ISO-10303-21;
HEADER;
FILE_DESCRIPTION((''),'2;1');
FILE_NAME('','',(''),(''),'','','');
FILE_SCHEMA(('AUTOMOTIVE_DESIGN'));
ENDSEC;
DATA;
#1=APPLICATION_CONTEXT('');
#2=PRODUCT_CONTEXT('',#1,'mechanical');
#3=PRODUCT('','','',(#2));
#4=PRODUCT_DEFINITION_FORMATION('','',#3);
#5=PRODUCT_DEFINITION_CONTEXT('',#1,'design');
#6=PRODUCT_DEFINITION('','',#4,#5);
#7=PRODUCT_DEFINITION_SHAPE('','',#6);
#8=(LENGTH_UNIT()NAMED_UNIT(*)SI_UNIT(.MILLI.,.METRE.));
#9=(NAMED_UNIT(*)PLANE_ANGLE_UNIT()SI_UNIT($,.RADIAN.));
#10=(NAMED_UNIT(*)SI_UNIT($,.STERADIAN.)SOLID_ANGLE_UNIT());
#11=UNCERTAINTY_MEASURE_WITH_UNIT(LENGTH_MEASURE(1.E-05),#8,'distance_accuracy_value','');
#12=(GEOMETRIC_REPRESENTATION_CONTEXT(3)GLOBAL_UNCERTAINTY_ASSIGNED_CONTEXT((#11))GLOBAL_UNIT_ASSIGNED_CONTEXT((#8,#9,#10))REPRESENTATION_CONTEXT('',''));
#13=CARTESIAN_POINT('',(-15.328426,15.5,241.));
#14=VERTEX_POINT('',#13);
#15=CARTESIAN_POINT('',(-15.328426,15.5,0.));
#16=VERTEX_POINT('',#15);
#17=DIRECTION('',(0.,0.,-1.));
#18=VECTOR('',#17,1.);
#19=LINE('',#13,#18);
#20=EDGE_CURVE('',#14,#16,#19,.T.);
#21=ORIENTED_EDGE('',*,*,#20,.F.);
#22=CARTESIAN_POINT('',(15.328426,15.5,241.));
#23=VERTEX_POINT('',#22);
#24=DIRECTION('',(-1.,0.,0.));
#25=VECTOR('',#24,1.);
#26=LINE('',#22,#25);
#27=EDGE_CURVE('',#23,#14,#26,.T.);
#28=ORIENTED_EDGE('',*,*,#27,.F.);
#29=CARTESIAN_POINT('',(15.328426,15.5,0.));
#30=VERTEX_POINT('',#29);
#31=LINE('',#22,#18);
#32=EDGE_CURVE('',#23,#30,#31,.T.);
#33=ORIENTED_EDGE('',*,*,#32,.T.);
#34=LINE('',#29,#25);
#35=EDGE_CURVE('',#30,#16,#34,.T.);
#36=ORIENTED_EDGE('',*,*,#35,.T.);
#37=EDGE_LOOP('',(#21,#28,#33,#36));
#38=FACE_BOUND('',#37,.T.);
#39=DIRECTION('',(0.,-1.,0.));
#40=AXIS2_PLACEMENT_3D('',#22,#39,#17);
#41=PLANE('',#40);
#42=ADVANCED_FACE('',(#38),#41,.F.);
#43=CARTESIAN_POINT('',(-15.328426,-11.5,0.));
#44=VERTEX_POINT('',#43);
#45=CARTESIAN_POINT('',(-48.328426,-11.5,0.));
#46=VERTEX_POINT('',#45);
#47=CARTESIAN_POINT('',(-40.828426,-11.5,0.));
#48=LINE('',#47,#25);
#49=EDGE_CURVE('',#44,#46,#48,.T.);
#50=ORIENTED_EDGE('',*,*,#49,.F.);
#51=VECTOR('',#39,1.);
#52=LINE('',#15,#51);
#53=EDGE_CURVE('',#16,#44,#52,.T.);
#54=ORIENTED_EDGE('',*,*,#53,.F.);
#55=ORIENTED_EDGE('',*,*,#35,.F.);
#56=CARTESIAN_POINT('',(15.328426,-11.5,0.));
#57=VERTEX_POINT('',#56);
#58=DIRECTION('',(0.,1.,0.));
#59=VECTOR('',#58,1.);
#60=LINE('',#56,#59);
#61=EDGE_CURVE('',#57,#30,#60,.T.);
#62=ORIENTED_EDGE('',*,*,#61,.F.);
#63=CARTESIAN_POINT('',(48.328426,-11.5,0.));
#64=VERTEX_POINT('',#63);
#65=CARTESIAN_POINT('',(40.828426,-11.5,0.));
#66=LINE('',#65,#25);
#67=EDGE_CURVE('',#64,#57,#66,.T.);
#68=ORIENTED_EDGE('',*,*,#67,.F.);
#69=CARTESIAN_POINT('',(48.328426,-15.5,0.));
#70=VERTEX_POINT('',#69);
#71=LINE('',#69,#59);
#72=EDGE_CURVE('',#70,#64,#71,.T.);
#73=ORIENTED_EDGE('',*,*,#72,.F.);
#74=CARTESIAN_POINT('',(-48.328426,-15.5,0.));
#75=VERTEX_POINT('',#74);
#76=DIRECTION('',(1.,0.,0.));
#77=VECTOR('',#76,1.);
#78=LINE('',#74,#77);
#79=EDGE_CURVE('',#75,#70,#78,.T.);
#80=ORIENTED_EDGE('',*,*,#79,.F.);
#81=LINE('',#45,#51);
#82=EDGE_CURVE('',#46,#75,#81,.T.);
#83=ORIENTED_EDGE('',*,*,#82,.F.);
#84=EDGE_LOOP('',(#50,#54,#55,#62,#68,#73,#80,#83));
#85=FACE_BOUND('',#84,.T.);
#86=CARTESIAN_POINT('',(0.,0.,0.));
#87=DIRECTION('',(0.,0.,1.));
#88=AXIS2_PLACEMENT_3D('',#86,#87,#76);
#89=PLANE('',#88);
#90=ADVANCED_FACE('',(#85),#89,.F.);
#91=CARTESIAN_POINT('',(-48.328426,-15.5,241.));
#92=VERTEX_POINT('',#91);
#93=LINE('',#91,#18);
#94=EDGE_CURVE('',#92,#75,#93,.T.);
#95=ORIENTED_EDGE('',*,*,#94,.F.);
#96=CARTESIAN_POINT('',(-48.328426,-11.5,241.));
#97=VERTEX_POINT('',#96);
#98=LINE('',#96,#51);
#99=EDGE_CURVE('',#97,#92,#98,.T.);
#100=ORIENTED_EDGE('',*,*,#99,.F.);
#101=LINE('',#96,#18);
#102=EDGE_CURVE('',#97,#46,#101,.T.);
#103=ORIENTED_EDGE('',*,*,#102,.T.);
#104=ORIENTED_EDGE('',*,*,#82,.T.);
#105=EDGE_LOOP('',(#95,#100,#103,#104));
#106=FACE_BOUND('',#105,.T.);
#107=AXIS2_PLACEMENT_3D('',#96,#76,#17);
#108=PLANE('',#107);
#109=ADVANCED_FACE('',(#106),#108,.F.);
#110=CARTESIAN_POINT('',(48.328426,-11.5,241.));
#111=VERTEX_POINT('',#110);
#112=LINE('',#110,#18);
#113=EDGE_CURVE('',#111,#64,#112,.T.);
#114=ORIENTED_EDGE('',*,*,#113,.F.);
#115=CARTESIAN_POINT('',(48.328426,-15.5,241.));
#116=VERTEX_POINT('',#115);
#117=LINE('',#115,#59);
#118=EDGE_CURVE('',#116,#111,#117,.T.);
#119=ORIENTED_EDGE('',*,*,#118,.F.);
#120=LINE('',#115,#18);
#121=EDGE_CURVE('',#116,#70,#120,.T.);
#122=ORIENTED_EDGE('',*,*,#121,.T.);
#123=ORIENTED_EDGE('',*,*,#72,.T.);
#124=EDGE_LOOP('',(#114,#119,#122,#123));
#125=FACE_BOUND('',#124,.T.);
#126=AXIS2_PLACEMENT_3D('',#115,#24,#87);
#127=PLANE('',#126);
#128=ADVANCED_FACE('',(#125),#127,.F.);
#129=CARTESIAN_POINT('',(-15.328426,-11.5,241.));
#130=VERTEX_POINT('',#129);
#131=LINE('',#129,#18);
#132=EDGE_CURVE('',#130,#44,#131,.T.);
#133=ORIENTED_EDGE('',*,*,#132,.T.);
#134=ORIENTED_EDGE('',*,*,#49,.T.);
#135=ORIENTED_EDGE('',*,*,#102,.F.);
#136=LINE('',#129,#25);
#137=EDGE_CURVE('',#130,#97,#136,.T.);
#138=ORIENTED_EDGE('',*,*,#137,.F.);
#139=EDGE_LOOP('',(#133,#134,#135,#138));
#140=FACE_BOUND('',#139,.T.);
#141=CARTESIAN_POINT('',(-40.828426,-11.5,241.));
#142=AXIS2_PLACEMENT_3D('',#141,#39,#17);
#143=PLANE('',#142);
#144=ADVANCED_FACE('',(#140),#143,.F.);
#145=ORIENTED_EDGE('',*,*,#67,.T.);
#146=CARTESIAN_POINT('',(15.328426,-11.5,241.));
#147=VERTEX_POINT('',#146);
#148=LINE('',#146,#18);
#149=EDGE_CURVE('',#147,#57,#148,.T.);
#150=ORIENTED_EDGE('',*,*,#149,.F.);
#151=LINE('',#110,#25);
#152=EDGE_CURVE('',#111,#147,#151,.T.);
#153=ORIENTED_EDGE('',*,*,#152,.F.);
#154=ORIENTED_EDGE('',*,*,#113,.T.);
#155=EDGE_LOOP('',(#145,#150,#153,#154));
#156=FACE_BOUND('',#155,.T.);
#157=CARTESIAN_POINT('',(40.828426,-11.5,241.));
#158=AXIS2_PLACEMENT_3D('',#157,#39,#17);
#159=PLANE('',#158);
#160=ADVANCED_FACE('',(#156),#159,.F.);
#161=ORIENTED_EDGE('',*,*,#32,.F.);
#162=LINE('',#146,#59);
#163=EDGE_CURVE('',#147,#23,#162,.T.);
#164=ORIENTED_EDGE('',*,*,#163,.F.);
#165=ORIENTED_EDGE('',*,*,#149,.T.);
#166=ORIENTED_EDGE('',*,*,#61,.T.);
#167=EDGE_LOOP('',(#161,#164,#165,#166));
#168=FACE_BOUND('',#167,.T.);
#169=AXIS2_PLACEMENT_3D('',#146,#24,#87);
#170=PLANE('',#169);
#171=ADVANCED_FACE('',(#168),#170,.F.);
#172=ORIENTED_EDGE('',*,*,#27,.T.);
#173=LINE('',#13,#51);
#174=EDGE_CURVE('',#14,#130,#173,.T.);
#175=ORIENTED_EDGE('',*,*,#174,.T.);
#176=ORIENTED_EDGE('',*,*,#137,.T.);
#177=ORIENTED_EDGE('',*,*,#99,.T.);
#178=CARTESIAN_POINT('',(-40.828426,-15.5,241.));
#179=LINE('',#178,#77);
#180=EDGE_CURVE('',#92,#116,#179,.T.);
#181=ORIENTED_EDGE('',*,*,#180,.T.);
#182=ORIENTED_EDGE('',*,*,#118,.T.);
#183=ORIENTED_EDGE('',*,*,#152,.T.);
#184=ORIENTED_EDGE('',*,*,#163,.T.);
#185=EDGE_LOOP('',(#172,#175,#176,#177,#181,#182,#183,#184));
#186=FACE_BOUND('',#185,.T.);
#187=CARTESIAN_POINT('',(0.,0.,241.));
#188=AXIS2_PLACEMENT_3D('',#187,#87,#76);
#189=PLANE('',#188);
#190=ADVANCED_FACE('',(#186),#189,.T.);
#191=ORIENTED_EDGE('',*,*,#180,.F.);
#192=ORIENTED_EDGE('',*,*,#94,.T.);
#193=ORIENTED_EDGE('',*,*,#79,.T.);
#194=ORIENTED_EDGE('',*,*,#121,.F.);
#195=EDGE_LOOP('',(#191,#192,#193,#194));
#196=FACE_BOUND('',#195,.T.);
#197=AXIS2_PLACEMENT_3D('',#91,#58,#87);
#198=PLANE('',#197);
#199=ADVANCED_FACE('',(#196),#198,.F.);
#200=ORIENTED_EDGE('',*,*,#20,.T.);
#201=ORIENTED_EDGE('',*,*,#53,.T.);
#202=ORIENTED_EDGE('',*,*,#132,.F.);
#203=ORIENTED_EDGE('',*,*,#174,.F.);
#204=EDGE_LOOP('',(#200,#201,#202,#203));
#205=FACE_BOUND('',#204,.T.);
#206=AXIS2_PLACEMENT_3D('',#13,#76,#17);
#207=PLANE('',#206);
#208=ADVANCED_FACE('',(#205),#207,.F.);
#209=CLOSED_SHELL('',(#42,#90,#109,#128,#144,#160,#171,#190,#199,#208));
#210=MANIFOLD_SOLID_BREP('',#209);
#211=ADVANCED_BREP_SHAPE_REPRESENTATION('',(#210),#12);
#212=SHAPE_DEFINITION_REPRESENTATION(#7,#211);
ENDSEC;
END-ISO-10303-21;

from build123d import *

# Parameters (mm, degrees)
BOSS_EXTRUDE1_DEPTH = 241


with BuildPart() as part:
    # Sketch1 → Boss-Extrude1 (new body)
    with BuildSketch(Plane.XY):
        Polygon((40.828426409, -15.5), (48.328426409, -15.5), (48.328426409, -11.5), (40.828426409, -11.5), (15.328426409, -11.5), (15.328426409, 15.5), (-15.328426409, 15.5), (-15.328426409, -11.5), (-40.828426409, -11.5), (-48.328426409, -11.5), (-48.328426409, -15.5), (-40.828426409, -15.5), align=None)
    extrude(amount=BOSS_EXTRUDE1_DEPTH)


solid = part.part
